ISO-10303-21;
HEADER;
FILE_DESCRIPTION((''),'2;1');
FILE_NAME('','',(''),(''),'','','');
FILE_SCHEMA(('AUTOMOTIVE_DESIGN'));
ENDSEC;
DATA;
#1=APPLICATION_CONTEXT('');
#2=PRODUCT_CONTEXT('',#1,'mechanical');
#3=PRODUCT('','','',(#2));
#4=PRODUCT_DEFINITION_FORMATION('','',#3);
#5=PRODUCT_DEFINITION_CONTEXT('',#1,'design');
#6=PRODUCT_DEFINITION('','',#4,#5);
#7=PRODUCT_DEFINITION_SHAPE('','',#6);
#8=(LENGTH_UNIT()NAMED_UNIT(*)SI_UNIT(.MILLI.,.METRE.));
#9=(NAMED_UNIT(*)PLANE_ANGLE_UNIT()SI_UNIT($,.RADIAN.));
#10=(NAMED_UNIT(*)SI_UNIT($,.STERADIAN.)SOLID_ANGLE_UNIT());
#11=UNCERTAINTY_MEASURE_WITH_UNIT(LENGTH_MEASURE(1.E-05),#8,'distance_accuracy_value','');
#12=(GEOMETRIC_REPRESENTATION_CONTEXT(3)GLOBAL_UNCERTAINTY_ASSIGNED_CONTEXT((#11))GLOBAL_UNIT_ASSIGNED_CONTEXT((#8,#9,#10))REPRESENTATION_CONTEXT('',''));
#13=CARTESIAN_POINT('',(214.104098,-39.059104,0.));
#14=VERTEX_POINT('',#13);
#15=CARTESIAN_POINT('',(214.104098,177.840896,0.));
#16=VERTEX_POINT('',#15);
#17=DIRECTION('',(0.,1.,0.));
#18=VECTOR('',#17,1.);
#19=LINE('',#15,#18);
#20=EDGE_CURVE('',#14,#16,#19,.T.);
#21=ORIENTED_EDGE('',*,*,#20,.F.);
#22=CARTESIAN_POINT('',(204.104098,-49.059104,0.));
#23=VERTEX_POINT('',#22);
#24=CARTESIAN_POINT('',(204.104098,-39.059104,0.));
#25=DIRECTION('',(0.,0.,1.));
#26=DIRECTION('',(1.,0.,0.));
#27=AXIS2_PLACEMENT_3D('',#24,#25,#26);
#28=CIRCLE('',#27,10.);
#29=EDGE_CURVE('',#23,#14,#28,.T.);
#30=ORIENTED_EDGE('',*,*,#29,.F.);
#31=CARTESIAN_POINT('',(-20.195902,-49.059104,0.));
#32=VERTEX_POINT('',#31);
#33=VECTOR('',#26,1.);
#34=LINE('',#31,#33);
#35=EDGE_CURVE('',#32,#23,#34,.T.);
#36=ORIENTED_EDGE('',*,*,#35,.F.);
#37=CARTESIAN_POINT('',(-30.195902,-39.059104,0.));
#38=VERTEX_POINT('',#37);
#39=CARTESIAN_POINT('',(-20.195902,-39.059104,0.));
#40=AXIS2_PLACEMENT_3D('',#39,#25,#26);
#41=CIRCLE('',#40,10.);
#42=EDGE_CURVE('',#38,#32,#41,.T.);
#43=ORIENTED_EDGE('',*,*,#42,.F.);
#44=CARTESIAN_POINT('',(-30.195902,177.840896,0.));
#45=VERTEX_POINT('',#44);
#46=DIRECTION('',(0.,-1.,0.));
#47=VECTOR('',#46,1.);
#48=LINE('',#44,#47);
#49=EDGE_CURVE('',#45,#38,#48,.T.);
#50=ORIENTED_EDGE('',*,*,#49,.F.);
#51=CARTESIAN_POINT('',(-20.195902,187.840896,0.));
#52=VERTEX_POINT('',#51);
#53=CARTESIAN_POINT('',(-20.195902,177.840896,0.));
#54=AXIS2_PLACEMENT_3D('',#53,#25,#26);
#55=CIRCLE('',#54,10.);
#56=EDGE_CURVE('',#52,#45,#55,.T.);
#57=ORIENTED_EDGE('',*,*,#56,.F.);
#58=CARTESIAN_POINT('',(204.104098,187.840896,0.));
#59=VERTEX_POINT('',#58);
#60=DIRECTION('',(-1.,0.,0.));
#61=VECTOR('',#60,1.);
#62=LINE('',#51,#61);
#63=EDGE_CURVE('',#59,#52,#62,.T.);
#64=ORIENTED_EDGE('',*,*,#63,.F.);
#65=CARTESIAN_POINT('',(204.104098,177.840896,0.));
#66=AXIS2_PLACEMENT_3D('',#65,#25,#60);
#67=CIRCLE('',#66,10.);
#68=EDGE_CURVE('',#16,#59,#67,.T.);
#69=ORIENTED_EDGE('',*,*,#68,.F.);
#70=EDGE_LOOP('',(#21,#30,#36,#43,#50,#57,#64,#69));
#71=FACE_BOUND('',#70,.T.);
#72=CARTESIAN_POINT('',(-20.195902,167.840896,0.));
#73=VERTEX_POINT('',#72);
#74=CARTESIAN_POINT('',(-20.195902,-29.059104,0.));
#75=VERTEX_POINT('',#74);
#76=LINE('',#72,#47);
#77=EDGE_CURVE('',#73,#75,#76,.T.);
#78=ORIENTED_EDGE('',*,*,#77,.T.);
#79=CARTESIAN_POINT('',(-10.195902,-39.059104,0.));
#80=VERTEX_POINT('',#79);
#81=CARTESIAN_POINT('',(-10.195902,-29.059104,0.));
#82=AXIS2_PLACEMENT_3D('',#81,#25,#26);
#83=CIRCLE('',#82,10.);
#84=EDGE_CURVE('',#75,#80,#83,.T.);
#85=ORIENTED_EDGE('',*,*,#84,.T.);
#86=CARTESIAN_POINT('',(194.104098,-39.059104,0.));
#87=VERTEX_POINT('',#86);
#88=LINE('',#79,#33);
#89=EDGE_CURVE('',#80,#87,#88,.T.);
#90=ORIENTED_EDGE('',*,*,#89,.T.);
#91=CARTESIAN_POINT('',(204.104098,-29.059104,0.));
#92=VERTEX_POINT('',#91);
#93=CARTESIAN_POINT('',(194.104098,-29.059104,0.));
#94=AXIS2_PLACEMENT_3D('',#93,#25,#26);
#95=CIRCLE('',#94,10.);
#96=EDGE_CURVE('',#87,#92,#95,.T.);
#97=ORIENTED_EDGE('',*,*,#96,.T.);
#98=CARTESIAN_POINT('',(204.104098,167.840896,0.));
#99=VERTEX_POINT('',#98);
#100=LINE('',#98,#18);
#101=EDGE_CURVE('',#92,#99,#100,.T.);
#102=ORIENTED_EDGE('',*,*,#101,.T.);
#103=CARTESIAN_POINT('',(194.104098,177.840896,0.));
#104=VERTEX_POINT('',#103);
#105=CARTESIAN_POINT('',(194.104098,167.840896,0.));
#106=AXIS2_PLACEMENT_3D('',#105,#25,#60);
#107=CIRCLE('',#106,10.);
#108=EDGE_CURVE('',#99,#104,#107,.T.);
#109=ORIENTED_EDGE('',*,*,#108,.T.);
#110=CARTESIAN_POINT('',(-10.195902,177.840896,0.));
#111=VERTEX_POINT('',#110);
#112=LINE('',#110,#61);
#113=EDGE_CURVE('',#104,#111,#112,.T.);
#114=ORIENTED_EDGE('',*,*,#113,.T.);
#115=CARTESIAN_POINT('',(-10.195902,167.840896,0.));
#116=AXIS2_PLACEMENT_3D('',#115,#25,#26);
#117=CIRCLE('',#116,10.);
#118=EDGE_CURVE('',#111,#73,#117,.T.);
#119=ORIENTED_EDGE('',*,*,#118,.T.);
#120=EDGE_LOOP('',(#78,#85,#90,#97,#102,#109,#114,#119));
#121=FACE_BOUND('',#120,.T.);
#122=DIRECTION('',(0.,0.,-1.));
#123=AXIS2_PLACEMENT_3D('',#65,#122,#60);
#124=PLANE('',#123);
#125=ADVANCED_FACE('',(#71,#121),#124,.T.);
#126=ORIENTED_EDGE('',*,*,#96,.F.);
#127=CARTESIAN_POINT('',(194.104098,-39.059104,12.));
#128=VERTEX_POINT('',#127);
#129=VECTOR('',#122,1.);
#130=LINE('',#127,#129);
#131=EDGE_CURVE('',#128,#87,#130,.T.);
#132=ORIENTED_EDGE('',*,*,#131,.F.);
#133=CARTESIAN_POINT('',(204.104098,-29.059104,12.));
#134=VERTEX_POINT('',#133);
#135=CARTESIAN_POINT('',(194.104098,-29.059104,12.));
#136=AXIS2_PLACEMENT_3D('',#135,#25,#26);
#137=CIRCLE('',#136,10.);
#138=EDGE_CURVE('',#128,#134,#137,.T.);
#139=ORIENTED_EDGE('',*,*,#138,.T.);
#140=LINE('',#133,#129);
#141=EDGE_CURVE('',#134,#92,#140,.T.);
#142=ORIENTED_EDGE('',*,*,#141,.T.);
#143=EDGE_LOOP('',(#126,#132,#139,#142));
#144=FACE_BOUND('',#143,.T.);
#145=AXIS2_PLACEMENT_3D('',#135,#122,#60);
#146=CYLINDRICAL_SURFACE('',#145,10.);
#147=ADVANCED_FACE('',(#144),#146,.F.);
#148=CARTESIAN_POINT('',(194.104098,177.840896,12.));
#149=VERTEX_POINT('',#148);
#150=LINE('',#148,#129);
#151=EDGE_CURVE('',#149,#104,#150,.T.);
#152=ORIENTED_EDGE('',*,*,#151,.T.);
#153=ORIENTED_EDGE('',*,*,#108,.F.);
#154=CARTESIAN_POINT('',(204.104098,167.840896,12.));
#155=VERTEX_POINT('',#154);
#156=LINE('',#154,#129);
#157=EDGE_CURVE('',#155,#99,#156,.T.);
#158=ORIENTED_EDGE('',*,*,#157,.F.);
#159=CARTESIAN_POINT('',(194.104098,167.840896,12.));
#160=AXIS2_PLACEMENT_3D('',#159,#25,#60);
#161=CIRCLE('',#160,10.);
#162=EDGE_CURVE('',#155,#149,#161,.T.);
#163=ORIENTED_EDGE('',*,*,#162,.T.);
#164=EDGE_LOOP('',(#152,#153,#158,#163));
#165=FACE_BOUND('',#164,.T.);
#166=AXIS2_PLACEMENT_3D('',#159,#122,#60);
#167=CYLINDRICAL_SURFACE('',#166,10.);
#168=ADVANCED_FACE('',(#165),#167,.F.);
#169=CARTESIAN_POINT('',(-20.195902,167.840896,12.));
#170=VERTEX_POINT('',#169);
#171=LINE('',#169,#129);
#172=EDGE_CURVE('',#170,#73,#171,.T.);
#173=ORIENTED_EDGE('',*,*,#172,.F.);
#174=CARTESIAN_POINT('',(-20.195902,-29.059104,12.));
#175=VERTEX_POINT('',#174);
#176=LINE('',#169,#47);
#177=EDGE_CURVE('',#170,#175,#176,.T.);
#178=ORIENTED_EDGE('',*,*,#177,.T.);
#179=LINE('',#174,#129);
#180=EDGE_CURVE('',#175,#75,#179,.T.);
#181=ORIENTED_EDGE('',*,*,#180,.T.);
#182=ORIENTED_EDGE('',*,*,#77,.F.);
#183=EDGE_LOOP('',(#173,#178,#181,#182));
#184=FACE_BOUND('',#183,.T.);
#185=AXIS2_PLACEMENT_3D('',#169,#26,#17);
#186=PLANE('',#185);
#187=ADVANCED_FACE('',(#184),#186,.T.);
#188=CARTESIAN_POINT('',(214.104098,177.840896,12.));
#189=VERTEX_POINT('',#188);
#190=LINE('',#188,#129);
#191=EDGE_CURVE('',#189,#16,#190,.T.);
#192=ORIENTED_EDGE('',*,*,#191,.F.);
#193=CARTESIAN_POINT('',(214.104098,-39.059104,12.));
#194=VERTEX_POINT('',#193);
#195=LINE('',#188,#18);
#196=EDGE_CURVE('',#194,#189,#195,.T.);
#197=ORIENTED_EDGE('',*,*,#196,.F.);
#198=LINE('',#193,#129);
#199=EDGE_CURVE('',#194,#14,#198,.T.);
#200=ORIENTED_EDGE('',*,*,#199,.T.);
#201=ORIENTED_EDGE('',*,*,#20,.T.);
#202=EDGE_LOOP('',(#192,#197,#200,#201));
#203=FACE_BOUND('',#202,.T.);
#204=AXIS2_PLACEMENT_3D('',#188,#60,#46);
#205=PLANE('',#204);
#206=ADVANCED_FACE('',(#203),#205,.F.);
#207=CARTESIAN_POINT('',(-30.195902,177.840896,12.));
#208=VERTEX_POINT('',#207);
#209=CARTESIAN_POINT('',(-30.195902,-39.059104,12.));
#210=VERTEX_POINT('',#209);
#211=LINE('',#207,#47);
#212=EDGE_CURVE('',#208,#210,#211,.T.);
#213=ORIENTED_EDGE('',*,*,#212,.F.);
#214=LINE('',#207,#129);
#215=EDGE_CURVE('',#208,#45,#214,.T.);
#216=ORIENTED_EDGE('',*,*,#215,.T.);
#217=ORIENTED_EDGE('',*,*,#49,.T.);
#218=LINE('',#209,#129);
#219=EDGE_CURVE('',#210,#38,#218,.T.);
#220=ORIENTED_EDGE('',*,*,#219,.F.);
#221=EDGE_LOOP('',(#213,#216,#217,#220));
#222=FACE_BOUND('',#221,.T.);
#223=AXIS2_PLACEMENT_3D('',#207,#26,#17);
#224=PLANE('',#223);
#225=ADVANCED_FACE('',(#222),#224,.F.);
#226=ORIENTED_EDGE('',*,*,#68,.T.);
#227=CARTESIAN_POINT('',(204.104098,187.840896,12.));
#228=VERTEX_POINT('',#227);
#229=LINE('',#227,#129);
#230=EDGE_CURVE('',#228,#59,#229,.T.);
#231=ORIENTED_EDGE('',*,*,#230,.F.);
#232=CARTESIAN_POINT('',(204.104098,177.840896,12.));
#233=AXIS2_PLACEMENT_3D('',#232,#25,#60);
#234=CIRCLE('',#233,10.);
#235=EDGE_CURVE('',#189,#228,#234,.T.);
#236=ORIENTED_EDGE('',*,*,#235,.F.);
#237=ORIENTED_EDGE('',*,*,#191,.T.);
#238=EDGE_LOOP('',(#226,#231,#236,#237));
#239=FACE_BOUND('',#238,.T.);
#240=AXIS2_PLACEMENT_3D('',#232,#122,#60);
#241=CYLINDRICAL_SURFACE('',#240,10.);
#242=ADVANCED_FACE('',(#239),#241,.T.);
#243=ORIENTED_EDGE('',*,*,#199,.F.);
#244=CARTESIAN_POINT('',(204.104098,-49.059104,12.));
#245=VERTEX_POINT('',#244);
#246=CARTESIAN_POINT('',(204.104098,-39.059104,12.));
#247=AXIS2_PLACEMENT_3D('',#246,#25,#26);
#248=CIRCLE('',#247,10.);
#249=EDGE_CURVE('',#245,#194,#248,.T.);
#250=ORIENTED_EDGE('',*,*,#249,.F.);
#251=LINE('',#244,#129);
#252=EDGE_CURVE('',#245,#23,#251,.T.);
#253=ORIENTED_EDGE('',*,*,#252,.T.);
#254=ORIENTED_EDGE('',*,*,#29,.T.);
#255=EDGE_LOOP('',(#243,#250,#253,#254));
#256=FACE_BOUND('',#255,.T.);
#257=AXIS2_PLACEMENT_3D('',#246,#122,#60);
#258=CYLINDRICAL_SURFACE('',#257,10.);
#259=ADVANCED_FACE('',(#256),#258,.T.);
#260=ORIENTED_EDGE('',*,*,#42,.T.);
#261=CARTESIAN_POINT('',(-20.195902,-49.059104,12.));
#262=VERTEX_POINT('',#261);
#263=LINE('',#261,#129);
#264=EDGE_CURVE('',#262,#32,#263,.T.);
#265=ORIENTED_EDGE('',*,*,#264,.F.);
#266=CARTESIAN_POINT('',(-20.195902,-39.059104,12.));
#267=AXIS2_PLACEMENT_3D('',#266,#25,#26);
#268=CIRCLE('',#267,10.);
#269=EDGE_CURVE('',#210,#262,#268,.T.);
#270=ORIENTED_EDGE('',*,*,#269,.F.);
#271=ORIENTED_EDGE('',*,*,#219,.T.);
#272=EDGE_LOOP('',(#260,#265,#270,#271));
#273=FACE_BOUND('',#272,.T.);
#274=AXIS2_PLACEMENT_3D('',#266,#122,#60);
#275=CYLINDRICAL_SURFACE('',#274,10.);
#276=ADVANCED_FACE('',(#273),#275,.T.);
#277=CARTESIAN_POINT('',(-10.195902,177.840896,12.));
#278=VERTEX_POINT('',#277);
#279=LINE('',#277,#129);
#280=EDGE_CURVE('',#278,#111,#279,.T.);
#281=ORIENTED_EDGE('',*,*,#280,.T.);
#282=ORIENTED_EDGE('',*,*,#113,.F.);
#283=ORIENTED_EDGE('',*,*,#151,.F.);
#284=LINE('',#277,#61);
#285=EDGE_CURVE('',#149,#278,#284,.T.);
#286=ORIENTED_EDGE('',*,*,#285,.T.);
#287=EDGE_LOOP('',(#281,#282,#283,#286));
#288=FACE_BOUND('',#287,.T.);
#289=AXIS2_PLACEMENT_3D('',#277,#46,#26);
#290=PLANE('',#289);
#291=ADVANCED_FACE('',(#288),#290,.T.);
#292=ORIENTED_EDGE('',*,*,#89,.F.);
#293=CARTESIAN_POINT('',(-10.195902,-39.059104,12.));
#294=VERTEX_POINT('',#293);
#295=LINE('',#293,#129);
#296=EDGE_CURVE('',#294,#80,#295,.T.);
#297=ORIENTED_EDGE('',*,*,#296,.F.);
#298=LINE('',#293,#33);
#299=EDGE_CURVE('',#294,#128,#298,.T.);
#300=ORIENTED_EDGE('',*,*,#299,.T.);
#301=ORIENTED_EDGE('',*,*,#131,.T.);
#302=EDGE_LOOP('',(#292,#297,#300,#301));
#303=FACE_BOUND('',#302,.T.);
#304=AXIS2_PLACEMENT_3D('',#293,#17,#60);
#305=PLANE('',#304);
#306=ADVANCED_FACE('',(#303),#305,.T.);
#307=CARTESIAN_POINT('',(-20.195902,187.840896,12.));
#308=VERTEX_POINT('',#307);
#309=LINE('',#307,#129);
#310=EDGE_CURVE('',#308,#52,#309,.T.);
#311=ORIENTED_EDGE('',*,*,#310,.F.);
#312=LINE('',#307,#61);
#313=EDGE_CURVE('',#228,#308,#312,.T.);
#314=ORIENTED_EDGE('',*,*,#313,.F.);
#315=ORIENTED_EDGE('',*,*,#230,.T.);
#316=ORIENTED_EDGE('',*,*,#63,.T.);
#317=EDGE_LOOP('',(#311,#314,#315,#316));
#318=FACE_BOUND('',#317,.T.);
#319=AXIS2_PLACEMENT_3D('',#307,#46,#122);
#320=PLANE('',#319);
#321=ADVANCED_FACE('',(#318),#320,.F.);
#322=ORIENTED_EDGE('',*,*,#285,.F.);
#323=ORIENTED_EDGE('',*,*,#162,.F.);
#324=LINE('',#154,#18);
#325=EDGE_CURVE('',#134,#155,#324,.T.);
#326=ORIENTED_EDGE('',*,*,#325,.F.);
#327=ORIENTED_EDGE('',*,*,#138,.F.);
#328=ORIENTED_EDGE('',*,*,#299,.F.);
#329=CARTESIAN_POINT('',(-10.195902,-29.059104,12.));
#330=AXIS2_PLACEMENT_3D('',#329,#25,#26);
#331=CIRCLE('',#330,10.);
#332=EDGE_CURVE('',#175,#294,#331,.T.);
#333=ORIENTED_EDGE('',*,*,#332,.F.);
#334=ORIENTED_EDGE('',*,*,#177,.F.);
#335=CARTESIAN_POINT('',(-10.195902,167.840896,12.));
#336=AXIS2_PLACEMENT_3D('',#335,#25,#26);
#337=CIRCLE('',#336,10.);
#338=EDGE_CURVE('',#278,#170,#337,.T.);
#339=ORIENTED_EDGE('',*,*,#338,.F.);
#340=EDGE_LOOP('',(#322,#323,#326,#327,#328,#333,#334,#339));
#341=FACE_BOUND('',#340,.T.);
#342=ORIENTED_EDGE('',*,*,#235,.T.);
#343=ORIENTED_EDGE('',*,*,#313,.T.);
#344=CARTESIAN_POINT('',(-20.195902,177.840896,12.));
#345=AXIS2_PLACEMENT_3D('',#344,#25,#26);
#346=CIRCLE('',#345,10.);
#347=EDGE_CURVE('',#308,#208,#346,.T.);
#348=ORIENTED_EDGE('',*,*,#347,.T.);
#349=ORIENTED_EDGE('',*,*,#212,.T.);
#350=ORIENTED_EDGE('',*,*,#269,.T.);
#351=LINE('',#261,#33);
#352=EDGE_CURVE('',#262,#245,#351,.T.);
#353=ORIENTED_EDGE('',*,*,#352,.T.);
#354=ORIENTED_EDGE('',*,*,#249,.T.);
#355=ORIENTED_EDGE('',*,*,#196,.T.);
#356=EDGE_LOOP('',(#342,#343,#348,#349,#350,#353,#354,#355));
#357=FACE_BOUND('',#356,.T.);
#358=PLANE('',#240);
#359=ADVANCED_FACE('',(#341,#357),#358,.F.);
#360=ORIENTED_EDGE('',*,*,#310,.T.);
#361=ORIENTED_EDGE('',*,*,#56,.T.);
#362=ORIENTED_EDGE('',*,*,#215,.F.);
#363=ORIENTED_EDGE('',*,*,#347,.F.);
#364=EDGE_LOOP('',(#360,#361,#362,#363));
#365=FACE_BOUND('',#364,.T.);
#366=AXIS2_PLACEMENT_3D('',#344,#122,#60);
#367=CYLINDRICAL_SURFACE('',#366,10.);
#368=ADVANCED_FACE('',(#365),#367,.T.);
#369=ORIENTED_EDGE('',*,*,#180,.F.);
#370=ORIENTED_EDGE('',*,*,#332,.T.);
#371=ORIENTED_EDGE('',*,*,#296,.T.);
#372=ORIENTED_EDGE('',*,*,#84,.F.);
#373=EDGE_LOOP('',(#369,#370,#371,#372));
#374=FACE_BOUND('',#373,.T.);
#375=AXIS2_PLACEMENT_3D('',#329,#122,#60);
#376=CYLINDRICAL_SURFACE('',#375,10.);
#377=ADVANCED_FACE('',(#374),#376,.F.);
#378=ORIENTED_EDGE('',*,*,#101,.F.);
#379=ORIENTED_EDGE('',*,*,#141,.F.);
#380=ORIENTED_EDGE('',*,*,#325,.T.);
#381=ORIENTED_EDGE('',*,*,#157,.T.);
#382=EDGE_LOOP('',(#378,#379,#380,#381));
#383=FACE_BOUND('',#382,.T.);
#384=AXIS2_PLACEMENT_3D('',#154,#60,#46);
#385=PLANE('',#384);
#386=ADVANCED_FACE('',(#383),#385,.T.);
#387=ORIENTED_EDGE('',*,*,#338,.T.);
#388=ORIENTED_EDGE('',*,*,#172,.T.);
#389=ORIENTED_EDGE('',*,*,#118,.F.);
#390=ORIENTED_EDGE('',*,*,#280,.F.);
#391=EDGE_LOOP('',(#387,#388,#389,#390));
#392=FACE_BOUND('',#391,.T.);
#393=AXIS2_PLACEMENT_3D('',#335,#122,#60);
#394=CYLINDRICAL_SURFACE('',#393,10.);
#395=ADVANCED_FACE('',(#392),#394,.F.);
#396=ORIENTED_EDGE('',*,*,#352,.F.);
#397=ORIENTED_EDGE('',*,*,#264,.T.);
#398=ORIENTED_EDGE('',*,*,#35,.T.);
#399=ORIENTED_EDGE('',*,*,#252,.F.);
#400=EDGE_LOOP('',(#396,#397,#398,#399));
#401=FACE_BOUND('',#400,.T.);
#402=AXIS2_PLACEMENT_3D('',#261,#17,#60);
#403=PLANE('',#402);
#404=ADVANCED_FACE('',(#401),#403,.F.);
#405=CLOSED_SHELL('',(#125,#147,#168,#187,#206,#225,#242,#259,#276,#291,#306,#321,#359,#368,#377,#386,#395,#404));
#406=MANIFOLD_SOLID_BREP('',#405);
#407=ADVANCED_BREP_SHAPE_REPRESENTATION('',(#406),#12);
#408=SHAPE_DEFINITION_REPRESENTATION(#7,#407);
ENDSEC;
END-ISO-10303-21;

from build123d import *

# Parameters (mm, degrees)
EXTRUDE_1_DEPTH = 12


with BuildPart() as part:
    # 草图1 → 凸台-拉伸1 (new body)
    with BuildSketch(Plane.XY):
        with BuildLine():
            Line((-20.195902477, 187.840896345), (204.104097523, 187.840896345))
            ThreePointArc((204.104097523, 187.840896345), (211.175165335, 184.911964157), (214.104097523, 177.840896345))
            Line((214.104097523, 177.840896345), (214.104097523, -39.059103655))
            ThreePointArc((214.104097523, -39.059103655), (211.175165335, -46.130171467), (204.104097523, -49.059103655))
            Line((204.104097523, -49.059103655), (-20.195902477, -49.059103655))
            ThreePointArc((-20.195902477, -49.059103655), (-27.266970289, -46.130171467), (-30.195902477, -39.059103655))
            Line((-30.195902477, -39.059103655), (-30.195902477, 177.840896345))
            ThreePointArc((-30.195902477, 177.840896345), (-27.266970289, 184.911964157), (-20.195902477, 187.840896345))
        make_face()
        with BuildLine():
            Line((-10.195902477, 177.840896345), (194.104097523, 177.840896345))
            ThreePointArc((194.104097523, 177.840896345), (201.175165335, 174.911964157), (204.104097523, 167.840896345))
            Line((204.104097523, 167.840896345), (204.104097523, -29.059103655))
            ThreePointArc((204.104097523, -29.059103655), (201.175165335, -36.130171467), (194.104097523, -39.059103655))
            Line((194.104097523, -39.059103655), (-10.195902477, -39.059103655))
            ThreePointArc((-10.195902477, -39.059103655), (-17.266970289, -36.130171467), (-20.195902477, -29.059103655))
            Line((-20.195902477, -29.059103655), (-20.195902477, 167.840896345))
            ThreePointArc((-20.195902477, 167.840896345), (-17.266970289, 174.911964157), (-10.195902477, 177.840896345))
        make_face(mode=Mode.SUBTRACT)
    extrude(amount=EXTRUDE_1_DEPTH)


solid = part.part
